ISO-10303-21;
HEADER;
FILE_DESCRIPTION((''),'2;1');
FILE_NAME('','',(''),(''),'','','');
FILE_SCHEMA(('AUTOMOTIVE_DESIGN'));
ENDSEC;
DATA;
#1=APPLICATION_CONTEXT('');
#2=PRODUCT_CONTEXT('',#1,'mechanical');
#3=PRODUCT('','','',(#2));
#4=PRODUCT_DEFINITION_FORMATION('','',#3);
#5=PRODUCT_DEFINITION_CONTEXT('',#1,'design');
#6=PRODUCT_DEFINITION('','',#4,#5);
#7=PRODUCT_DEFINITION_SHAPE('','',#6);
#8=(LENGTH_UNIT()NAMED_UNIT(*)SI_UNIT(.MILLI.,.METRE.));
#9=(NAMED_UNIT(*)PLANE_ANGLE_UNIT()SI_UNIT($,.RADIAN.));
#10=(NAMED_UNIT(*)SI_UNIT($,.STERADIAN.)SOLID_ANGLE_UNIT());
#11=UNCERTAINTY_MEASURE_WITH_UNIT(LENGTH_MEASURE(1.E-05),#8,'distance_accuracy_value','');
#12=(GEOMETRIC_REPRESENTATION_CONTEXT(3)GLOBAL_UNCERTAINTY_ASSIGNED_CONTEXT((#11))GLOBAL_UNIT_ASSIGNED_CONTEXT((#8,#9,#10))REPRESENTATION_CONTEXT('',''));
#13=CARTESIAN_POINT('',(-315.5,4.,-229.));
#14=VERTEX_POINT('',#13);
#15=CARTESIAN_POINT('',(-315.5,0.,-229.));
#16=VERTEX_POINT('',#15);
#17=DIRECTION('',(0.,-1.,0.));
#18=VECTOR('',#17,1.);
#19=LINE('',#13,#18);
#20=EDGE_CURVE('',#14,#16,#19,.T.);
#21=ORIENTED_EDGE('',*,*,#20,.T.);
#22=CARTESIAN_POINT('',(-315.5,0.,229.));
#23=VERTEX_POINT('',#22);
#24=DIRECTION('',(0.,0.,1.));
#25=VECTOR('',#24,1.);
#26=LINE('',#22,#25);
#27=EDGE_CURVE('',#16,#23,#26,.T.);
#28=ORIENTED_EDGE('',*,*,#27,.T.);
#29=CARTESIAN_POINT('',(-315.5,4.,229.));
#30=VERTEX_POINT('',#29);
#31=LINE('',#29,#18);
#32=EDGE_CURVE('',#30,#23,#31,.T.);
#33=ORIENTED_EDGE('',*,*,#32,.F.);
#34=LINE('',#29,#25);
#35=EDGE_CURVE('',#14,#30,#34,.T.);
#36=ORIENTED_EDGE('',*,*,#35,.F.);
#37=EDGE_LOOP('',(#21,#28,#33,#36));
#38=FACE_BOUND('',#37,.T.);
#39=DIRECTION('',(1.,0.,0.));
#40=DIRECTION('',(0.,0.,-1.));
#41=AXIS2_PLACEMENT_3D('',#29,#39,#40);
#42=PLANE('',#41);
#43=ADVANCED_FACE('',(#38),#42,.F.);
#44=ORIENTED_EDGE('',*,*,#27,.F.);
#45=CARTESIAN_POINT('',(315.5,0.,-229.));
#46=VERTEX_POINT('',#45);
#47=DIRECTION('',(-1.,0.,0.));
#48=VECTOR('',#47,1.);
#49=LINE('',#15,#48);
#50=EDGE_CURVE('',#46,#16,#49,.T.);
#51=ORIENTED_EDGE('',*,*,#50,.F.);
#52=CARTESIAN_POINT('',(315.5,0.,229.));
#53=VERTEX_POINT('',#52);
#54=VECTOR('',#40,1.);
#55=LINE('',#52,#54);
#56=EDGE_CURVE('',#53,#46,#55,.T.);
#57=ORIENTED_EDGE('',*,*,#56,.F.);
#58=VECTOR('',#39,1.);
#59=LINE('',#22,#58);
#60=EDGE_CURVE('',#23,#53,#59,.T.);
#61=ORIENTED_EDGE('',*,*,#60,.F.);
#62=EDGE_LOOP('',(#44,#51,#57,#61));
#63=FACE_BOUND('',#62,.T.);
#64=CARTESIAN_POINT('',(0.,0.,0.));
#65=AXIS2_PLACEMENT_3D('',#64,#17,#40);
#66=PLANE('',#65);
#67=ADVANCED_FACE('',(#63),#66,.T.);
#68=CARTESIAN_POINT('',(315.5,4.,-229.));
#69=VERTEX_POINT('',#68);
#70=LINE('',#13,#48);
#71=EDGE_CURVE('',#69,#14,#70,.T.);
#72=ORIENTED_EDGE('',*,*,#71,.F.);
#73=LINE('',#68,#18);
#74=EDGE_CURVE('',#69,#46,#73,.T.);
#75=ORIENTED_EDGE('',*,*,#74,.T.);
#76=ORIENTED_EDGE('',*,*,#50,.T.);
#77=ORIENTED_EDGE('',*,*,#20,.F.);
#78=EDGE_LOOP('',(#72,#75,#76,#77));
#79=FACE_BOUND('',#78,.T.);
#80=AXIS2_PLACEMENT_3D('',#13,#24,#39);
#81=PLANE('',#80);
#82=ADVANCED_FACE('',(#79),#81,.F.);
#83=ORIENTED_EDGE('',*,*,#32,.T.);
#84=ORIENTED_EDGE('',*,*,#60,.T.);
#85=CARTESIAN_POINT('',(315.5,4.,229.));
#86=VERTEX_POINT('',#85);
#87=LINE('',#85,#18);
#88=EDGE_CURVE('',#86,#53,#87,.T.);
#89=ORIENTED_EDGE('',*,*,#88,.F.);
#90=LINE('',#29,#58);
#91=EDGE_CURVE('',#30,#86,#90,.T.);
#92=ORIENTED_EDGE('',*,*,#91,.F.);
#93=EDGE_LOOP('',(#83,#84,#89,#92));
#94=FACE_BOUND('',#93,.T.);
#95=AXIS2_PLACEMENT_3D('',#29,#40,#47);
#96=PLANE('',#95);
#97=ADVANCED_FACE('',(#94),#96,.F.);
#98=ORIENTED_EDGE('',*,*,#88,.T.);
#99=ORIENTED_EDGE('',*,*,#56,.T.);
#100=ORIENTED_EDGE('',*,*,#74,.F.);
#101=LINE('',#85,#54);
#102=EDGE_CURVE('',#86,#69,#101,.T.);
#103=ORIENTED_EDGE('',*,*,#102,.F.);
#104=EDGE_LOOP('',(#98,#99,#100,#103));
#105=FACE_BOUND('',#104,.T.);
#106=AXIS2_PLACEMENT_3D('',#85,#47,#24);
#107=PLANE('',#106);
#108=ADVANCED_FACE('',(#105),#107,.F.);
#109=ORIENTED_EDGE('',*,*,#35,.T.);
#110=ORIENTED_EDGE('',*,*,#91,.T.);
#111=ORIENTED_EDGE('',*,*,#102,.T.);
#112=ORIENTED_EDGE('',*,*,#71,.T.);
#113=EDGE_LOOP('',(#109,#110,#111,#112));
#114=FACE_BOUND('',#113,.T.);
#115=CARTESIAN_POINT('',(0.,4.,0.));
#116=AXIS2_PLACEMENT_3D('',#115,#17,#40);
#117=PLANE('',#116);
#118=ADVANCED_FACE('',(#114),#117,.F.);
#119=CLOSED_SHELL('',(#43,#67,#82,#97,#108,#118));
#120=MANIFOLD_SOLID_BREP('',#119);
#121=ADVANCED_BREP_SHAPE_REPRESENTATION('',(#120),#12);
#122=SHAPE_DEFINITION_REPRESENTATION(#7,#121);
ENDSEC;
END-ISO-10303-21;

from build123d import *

# Parameters (mm, degrees)
ESQUISSE1_W        = 631
ESQUISSE1_H        = 458
BOSS_EXTRU_1_DEPTH = 4


with BuildPart() as part:
    # Esquisse1 → Boss.-Extru.1 (new body)
    with BuildSketch(Plane(origin=(0, 0, 0), x_dir=(1, 0, 0), z_dir=(0, 1, 0))):
        Rectangle(ESQUISSE1_W, ESQUISSE1_H)
    extrude(amount=BOSS_EXTRU_1_DEPTH)


solid = part.part
